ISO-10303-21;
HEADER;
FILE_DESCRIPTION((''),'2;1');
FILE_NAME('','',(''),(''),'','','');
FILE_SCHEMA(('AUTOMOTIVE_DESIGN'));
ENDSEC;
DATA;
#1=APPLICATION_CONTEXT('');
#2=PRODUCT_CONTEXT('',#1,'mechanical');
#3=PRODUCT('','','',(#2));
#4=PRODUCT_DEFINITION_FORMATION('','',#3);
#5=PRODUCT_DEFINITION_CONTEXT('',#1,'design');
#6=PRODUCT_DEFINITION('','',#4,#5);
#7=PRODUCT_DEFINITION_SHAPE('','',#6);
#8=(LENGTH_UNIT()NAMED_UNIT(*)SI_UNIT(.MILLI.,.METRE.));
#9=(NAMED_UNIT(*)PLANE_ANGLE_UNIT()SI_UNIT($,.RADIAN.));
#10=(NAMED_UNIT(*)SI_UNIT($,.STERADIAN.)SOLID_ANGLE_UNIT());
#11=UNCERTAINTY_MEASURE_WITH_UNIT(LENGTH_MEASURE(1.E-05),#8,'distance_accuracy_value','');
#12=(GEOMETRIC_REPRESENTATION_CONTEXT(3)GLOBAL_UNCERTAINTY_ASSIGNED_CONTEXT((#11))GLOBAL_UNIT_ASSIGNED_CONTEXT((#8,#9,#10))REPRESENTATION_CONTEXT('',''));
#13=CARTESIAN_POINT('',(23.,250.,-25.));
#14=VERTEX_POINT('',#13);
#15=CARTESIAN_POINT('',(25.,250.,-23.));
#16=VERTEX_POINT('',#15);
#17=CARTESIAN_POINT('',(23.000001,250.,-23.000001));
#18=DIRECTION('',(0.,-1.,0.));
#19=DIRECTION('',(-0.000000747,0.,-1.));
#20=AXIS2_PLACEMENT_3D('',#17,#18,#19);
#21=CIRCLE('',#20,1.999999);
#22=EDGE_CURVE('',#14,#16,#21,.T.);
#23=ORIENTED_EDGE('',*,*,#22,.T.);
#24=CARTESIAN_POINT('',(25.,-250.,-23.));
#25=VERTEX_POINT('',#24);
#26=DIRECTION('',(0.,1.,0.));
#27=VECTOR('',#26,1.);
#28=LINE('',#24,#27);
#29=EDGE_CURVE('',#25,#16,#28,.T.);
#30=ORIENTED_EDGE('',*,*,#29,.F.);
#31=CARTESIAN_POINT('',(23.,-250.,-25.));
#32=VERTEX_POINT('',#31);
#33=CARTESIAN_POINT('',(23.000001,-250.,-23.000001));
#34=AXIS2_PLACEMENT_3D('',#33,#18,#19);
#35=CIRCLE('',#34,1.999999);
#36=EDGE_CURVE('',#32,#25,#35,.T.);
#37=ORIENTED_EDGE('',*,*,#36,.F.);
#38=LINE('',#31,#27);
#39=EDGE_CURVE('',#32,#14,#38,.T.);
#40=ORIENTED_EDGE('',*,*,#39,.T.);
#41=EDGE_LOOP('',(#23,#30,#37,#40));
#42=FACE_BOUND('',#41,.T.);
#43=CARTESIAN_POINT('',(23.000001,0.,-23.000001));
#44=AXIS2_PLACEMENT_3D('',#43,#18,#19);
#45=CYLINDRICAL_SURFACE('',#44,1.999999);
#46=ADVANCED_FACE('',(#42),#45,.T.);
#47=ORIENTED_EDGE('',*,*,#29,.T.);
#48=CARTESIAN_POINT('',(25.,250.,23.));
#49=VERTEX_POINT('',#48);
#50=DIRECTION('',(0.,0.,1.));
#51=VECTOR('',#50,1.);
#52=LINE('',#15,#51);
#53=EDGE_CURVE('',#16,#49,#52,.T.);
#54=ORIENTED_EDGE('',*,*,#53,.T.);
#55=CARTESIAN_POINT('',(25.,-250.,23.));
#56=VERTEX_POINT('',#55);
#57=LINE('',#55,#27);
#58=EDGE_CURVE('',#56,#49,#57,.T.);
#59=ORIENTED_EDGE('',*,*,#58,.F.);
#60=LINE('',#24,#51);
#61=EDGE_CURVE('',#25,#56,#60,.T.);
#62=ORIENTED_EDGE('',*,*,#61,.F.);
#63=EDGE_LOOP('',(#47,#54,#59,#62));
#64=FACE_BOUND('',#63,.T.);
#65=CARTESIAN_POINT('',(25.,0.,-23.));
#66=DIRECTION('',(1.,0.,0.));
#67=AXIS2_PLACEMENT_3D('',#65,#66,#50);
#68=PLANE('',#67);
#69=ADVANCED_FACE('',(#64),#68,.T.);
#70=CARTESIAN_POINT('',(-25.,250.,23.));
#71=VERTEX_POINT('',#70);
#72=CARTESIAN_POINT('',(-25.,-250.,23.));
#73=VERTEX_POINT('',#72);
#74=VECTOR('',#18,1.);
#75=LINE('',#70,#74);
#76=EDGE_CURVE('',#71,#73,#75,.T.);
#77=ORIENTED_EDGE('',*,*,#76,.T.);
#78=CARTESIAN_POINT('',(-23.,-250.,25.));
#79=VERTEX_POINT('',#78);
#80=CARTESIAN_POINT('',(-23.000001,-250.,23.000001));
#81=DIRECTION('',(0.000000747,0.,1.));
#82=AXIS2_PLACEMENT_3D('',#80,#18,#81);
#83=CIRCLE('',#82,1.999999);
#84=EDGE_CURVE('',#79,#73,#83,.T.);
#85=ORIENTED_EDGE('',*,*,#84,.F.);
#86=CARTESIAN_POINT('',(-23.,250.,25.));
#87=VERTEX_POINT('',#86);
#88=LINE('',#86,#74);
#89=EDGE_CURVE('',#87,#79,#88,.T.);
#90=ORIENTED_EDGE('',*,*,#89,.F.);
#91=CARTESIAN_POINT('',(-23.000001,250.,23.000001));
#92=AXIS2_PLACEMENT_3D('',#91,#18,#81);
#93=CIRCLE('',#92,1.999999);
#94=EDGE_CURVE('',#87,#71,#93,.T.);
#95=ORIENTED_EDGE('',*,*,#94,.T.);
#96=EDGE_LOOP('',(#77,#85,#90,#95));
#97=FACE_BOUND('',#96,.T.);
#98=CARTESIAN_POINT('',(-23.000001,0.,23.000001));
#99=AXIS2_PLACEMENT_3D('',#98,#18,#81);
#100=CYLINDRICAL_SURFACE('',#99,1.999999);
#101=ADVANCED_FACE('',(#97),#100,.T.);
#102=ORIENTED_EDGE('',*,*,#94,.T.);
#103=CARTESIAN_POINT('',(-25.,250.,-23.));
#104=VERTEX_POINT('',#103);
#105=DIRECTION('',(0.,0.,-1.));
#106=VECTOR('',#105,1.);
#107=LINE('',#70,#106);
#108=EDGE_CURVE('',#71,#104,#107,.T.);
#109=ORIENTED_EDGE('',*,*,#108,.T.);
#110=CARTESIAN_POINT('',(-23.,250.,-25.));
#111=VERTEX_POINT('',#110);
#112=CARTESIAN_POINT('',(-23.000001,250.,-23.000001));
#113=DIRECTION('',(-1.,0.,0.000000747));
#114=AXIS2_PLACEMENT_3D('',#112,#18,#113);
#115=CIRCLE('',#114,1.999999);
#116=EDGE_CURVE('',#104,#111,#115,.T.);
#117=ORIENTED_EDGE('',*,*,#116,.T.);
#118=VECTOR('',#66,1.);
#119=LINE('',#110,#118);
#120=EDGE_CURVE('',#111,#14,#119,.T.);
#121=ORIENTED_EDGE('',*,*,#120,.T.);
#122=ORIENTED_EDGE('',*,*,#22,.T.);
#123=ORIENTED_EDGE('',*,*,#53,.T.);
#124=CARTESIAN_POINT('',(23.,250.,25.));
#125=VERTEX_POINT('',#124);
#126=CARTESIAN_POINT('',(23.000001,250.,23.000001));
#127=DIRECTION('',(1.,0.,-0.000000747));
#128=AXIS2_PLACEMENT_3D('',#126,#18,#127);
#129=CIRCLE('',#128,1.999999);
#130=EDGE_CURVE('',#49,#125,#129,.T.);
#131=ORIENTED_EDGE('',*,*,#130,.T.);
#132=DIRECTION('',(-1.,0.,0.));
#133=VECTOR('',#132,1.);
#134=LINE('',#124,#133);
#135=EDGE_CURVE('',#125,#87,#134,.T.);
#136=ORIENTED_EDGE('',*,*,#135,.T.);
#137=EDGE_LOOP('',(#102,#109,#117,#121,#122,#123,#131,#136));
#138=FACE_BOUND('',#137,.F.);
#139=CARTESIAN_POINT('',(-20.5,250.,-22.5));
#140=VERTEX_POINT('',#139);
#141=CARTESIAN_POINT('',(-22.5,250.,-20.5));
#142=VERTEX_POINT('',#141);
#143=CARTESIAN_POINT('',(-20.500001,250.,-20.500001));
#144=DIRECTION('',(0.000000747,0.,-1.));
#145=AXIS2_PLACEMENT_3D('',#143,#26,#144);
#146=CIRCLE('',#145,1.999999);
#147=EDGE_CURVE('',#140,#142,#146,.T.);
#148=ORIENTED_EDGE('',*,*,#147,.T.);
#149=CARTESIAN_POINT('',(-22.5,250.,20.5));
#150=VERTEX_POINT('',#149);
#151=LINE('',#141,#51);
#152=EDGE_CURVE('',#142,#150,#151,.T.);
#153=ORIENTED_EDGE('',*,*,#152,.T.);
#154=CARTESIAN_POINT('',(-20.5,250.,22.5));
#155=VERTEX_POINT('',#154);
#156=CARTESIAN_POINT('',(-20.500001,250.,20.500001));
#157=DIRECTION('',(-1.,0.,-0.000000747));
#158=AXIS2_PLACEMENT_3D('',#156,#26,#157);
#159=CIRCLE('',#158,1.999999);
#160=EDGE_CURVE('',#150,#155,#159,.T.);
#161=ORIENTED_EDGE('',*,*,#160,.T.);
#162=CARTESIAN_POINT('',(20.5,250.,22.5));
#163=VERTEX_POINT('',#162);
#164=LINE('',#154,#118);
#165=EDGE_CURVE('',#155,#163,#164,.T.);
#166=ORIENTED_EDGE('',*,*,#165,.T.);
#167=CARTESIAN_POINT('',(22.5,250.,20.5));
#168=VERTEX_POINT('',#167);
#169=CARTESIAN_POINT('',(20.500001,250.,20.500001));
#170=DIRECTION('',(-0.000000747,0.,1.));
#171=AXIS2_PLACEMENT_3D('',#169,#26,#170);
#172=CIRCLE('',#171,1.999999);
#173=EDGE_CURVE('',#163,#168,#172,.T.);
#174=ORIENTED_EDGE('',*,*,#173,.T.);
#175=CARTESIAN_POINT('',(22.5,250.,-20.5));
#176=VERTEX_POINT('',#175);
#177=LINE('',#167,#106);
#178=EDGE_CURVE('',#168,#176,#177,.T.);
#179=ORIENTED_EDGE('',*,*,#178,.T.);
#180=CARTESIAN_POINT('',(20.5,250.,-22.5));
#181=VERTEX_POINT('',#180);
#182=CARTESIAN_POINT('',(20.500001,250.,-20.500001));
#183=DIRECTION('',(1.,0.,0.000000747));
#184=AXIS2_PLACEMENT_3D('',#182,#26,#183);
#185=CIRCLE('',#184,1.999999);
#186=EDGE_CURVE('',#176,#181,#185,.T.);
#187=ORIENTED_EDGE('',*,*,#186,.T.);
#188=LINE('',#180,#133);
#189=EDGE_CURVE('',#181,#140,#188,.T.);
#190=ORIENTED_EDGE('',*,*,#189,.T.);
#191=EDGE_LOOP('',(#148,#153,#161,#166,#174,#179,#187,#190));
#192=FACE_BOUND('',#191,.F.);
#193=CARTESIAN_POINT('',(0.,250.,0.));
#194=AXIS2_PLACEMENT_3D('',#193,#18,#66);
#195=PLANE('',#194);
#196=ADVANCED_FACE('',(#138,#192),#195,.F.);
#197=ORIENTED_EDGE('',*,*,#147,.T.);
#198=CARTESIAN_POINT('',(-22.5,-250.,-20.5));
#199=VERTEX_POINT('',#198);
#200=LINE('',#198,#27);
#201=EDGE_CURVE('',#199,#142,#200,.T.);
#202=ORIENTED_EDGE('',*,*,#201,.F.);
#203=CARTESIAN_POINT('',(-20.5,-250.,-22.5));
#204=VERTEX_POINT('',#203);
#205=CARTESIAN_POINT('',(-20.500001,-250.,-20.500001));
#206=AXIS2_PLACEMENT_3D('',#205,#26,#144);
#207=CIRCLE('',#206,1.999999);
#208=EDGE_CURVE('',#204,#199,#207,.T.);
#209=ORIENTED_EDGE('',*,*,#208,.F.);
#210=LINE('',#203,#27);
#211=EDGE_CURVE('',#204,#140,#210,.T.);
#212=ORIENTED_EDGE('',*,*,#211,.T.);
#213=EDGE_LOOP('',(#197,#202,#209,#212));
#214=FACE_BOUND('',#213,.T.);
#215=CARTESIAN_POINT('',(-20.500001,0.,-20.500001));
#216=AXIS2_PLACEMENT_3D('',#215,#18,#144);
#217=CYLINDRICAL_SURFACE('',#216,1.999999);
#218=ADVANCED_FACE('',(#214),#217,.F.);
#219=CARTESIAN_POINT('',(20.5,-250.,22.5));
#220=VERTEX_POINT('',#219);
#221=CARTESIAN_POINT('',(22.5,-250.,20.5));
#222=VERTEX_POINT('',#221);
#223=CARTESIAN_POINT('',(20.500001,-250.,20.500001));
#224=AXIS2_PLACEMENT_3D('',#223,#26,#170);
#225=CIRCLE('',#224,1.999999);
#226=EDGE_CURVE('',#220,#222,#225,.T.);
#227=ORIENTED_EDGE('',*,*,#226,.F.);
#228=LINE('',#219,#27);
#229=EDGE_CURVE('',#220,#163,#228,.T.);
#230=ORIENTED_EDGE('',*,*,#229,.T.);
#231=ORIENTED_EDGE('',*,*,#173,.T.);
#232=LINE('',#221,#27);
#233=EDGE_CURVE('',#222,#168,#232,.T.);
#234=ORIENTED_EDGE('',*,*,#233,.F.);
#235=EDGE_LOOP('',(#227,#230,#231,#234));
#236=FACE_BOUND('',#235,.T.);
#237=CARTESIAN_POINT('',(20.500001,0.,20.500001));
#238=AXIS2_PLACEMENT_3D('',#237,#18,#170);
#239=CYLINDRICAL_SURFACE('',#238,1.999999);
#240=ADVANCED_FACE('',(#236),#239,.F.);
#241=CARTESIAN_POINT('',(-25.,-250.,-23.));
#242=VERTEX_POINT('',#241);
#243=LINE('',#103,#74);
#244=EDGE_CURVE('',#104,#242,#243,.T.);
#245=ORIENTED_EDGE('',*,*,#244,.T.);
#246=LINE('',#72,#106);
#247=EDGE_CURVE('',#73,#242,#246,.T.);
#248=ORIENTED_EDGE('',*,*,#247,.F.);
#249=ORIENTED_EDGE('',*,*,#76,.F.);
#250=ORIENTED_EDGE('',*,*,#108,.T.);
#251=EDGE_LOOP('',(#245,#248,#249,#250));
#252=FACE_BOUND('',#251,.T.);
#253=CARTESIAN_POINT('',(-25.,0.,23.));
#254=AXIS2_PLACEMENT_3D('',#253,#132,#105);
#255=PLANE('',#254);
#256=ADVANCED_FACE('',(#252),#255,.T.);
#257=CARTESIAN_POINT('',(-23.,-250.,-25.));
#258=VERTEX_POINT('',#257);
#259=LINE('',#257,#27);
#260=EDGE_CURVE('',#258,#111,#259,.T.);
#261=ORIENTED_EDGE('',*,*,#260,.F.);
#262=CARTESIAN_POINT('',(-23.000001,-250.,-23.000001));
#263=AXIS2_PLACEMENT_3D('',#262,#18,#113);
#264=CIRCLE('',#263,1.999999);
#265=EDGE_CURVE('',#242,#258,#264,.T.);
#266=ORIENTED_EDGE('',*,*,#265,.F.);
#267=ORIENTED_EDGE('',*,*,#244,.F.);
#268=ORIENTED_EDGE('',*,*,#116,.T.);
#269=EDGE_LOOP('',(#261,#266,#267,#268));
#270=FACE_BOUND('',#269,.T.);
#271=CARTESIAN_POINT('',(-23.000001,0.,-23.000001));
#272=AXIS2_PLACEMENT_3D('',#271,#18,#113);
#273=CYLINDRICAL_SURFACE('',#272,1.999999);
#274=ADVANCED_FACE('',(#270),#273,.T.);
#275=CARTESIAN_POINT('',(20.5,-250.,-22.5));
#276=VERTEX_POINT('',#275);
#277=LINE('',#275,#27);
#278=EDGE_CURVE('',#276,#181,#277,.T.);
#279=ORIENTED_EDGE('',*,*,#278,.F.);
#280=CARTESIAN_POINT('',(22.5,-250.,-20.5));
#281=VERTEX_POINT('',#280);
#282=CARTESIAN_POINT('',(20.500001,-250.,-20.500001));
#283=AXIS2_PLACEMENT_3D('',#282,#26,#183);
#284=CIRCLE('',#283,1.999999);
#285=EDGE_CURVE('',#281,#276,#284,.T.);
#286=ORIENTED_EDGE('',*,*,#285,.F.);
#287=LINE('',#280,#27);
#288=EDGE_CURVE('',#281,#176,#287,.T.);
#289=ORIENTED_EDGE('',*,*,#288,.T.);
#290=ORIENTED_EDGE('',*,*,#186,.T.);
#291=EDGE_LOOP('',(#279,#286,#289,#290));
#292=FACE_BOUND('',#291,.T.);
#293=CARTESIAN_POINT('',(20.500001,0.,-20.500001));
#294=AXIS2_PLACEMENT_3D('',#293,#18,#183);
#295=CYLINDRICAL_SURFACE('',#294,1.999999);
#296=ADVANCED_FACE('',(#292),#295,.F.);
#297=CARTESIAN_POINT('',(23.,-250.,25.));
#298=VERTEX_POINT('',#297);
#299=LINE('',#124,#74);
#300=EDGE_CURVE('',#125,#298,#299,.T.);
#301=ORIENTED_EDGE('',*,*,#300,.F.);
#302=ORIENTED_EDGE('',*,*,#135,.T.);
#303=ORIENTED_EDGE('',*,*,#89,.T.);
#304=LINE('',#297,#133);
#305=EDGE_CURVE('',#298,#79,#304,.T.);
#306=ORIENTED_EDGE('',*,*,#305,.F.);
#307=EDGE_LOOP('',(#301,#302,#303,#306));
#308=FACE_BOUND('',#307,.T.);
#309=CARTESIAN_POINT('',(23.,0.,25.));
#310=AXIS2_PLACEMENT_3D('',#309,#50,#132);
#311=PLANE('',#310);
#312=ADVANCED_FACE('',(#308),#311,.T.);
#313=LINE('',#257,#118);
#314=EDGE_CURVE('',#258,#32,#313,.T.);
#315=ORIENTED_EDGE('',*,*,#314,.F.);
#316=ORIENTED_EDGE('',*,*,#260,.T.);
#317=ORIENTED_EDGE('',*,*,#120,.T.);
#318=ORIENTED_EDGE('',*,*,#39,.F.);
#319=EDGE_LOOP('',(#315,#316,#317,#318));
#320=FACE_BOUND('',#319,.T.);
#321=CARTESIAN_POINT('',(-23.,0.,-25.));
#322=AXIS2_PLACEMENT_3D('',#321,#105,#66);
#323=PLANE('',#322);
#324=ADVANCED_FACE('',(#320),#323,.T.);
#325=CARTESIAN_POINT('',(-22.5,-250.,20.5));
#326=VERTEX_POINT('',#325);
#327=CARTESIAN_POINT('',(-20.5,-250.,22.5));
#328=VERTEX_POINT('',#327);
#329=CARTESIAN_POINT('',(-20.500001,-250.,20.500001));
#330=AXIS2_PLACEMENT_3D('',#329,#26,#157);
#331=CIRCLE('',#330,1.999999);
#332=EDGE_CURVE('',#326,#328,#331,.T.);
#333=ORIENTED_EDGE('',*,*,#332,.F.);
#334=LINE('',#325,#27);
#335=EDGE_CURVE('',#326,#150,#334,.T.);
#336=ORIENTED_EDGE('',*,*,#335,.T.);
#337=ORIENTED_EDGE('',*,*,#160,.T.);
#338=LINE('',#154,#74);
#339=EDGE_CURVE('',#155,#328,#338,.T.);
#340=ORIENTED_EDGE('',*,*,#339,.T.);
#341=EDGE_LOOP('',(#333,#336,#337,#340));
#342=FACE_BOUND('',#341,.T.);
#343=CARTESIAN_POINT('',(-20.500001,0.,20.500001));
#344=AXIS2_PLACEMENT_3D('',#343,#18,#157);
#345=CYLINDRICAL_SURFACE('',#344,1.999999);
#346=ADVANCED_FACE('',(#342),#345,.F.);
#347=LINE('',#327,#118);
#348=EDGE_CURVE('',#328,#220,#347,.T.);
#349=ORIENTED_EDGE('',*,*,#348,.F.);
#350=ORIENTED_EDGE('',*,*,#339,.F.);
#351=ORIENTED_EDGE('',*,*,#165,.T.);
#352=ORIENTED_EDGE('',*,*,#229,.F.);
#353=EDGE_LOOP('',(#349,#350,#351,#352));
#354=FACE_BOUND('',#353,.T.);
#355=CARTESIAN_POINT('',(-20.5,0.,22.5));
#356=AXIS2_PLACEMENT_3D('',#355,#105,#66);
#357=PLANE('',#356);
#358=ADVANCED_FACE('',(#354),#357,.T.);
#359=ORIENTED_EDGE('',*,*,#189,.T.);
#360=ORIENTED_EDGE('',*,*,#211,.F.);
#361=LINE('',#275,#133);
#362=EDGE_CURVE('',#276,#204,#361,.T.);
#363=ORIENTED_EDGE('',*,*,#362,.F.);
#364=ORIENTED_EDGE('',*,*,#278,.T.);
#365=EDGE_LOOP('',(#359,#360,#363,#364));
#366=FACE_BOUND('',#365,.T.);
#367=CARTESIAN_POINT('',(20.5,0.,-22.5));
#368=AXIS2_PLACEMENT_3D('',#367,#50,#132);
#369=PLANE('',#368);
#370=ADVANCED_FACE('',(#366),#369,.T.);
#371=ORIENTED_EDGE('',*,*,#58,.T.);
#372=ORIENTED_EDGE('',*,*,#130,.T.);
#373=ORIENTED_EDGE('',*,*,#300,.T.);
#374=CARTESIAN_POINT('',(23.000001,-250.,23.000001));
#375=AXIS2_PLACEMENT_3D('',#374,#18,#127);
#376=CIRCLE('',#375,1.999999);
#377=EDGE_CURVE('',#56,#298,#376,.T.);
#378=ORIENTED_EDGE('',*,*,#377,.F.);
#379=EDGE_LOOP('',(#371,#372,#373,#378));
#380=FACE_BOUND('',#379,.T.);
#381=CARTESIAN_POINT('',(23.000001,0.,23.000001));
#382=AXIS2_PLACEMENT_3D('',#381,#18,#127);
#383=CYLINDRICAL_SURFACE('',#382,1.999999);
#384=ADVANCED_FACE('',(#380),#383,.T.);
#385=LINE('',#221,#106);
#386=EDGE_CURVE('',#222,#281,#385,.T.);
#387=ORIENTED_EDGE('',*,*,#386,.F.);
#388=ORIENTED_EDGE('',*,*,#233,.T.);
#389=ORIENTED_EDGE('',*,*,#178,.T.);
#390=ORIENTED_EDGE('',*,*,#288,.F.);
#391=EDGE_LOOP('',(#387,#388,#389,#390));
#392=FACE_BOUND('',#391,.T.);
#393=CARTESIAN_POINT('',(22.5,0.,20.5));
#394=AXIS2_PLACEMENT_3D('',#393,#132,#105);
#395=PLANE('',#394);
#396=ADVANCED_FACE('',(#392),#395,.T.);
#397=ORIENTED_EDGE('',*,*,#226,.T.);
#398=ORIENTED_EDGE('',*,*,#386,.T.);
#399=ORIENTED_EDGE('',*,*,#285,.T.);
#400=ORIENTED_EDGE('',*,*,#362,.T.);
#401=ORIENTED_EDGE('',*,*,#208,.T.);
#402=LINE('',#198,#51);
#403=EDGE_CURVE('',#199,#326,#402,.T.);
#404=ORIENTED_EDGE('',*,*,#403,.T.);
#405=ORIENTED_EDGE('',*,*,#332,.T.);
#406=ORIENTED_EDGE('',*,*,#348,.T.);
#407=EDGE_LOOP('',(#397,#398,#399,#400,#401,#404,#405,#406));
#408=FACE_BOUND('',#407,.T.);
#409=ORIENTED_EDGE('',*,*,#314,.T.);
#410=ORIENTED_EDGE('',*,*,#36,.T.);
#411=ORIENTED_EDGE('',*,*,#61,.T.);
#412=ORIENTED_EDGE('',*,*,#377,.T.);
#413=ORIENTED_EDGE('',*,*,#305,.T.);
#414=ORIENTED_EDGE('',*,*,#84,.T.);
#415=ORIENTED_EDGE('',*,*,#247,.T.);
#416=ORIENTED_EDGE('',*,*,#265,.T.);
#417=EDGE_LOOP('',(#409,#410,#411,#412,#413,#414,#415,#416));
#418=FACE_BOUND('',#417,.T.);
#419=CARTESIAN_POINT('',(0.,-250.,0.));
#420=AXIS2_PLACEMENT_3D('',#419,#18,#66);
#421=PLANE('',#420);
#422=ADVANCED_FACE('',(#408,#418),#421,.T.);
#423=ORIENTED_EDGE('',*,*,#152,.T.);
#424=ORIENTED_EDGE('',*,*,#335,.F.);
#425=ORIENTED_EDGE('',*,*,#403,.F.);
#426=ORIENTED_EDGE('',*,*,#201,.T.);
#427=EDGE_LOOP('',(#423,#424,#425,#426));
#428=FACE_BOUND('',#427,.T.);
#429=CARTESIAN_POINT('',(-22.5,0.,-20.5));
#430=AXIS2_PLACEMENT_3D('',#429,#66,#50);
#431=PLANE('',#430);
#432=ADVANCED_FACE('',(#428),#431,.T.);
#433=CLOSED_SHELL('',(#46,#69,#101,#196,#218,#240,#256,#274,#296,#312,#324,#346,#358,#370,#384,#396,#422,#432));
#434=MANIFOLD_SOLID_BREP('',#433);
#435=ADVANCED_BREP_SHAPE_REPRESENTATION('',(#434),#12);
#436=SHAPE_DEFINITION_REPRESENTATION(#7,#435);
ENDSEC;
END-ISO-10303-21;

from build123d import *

# Parameters (mm, degrees)
F1_DEPTH = 250


with BuildPart() as f1:
    # F0 (on Front) → F1 (new body, symmetric)
    with BuildSketch(Plane.XZ):
        with BuildLine():
            ThreePointArc((25, 23), (24.414214, 24.414214), (23, 25))
            Line((23, 25), (-23, 25))
            ThreePointArc((-23, 25), (-24.414214, 24.414214), (-25, 23))
            Line((-25, 23), (-25, -23))
            ThreePointArc((-25, -23), (-24.414214, -24.414214), (-23, -25))
            Line((-23, -25), (23, -25))
            ThreePointArc((23, -25), (24.414214, -24.414214), (25, -23))
            Line((25, -23), (25, 23))
        make_face()
        with BuildLine():
            Line((-20.5, 22.5), (20.5, 22.5))
            ThreePointArc((20.5, 22.5), (21.914214, 21.914214), (22.5, 20.5))
            Line((22.5, 20.5), (22.5, -20.5))
            ThreePointArc((22.5, -20.5), (21.914214, -21.914214), (20.5, -22.5))
            Line((20.5, -22.5), (-20.5, -22.5))
            ThreePointArc((-20.5, -22.5), (-21.914214, -21.914214), (-22.5, -20.5))
            Line((-22.5, -20.5), (-22.5, 20.5))
            ThreePointArc((-22.5, 20.5), (-21.914214, 21.914214), (-20.5, 22.5))
        make_face(mode=Mode.SUBTRACT)
    extrude(amount=F1_DEPTH, both=True)


solid = f1.part
